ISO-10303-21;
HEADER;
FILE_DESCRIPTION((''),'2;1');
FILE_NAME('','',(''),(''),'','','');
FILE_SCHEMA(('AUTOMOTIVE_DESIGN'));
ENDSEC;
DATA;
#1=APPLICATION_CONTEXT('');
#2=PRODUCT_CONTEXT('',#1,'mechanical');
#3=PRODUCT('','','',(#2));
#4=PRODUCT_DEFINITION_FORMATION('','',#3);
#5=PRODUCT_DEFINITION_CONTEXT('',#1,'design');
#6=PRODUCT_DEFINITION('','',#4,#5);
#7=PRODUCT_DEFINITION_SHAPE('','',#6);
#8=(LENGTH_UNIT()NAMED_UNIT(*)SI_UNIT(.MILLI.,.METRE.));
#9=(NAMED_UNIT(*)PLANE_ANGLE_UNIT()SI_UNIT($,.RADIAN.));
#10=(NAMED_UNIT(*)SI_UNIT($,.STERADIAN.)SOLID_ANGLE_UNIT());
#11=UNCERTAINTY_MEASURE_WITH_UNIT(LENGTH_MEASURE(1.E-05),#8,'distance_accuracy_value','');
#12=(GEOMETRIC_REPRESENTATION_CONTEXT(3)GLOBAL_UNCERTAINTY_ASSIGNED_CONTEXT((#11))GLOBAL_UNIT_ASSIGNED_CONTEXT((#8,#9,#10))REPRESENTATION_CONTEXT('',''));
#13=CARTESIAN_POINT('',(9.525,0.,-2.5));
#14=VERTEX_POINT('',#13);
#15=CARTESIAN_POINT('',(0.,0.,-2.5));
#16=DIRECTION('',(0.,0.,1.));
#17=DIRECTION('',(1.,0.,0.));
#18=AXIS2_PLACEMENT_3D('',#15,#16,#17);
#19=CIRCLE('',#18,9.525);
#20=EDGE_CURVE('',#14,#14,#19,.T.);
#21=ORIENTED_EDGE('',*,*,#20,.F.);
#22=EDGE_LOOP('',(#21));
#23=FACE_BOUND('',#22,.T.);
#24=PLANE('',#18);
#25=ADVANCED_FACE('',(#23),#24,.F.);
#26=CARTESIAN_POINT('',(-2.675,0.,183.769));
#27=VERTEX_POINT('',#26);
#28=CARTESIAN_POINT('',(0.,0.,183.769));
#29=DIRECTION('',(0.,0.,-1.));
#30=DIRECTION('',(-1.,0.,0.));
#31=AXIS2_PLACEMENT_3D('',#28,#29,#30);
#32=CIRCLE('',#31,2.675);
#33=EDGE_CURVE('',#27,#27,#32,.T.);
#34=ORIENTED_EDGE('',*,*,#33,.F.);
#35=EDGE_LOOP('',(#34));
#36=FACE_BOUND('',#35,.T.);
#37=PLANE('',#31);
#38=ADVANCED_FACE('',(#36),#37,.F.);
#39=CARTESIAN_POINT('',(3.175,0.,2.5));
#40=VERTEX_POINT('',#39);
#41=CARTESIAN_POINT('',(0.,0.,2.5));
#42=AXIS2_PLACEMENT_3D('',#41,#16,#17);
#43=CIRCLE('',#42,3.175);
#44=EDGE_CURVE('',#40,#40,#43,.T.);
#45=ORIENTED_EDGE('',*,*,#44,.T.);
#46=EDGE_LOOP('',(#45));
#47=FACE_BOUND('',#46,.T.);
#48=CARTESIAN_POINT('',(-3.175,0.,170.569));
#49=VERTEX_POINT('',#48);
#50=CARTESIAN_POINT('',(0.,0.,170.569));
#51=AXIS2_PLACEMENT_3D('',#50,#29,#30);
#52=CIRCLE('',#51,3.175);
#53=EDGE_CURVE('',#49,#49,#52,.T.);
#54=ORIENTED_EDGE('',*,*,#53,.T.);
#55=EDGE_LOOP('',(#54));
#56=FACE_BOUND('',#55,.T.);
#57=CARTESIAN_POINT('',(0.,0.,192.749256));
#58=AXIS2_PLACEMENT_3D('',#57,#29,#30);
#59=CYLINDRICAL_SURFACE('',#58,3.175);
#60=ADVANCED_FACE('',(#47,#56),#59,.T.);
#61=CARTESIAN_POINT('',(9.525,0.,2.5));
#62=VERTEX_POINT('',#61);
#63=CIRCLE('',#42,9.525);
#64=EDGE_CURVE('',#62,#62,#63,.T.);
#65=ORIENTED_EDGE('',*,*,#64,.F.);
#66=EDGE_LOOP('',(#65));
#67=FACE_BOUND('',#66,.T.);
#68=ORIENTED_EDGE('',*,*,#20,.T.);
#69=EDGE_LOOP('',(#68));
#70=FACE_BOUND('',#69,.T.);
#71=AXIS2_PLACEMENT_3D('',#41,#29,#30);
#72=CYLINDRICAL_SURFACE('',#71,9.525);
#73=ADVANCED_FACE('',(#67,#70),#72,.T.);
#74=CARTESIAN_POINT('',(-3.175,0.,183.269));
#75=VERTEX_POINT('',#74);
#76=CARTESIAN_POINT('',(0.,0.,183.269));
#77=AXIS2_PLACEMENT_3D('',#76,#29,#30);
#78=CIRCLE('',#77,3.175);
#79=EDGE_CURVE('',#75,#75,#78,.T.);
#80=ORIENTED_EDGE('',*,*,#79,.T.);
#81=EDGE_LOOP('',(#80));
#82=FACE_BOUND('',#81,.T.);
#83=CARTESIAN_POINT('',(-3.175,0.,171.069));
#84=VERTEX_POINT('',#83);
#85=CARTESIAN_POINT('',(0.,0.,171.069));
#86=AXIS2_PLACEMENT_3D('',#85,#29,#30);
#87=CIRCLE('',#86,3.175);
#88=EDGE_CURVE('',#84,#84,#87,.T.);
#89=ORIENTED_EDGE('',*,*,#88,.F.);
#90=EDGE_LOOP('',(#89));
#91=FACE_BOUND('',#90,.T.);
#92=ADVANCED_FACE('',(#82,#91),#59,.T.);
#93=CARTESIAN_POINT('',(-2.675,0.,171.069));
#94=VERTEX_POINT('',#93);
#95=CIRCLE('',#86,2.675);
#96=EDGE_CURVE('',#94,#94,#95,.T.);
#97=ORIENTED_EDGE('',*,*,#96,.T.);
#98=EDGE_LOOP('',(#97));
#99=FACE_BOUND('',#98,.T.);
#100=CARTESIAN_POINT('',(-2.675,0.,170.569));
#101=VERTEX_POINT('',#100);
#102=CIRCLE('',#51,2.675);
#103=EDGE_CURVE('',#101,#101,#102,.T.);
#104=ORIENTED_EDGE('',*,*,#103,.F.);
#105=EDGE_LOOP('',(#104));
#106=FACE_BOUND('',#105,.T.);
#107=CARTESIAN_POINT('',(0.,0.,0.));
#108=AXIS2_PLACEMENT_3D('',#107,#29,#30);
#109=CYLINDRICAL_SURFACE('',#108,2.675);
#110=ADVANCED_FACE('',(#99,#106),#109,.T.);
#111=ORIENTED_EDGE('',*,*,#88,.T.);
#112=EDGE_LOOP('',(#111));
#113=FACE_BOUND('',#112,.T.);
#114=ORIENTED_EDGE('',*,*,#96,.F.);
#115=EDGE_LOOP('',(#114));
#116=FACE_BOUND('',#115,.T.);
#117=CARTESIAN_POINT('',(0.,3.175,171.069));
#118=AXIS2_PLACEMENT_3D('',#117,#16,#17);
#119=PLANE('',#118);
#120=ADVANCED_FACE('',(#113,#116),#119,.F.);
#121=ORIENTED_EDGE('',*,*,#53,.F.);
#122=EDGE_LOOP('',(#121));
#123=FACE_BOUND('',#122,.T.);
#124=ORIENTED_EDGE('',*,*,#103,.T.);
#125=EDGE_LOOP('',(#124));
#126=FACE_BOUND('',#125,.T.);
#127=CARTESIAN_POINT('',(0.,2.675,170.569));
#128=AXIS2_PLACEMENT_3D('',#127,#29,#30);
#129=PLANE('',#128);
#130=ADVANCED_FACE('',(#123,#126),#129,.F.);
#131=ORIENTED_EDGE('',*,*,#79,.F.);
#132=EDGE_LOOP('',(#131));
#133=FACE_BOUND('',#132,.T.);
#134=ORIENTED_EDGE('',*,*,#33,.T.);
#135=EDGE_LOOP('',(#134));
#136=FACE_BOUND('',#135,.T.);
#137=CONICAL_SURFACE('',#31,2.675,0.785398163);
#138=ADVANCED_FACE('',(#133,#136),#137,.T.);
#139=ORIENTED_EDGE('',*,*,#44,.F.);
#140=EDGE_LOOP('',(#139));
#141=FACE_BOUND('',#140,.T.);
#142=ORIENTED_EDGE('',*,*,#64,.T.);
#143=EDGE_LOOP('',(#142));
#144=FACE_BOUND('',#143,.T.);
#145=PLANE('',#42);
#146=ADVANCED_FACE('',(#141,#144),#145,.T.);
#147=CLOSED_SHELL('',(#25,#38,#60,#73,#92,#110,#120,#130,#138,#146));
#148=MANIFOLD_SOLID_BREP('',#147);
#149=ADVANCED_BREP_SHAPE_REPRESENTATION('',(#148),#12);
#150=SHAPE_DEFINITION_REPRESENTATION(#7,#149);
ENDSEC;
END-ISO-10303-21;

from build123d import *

# Parameters (mm, degrees)
SKETCH1_R      = 3.175
EXTRUDE1_DEPTH = 183.769
SKETCH2_R      = 9.525
PISTON_DEPTH   = 2.5


with BuildPart() as part:
    # Sketch1 → Extrude1 (new body)
    with BuildSketch(Plane.XY):
        Circle(SKETCH1_R)
    extrude(amount=EXTRUDE1_DEPTH)

    # Sketch2 → Piston (add, symmetric)
    with BuildSketch(Plane.XY):
        Circle(SKETCH2_R)
    extrude(amount=PISTON_DEPTH, both=True)

    # Sketch3 → Threads (revolve, cut)
    with BuildSketch(Plane(origin=(0, 0, 0), x_dir=(0, 0, -1), z_dir=(1, 0, 0))):
        Polygon((-183.769, 9.525), (-170.569, 9.525), (-170.569, 2.675), (-171.069, 2.675), (-171.069, 3.175), (-183.269, 3.175), (-183.769, 2.675), align=None)
    revolve(axis=Axis((0, 0, 0), (0, 0, 1)), mode=Mode.SUBTRACT)


solid = part.part
